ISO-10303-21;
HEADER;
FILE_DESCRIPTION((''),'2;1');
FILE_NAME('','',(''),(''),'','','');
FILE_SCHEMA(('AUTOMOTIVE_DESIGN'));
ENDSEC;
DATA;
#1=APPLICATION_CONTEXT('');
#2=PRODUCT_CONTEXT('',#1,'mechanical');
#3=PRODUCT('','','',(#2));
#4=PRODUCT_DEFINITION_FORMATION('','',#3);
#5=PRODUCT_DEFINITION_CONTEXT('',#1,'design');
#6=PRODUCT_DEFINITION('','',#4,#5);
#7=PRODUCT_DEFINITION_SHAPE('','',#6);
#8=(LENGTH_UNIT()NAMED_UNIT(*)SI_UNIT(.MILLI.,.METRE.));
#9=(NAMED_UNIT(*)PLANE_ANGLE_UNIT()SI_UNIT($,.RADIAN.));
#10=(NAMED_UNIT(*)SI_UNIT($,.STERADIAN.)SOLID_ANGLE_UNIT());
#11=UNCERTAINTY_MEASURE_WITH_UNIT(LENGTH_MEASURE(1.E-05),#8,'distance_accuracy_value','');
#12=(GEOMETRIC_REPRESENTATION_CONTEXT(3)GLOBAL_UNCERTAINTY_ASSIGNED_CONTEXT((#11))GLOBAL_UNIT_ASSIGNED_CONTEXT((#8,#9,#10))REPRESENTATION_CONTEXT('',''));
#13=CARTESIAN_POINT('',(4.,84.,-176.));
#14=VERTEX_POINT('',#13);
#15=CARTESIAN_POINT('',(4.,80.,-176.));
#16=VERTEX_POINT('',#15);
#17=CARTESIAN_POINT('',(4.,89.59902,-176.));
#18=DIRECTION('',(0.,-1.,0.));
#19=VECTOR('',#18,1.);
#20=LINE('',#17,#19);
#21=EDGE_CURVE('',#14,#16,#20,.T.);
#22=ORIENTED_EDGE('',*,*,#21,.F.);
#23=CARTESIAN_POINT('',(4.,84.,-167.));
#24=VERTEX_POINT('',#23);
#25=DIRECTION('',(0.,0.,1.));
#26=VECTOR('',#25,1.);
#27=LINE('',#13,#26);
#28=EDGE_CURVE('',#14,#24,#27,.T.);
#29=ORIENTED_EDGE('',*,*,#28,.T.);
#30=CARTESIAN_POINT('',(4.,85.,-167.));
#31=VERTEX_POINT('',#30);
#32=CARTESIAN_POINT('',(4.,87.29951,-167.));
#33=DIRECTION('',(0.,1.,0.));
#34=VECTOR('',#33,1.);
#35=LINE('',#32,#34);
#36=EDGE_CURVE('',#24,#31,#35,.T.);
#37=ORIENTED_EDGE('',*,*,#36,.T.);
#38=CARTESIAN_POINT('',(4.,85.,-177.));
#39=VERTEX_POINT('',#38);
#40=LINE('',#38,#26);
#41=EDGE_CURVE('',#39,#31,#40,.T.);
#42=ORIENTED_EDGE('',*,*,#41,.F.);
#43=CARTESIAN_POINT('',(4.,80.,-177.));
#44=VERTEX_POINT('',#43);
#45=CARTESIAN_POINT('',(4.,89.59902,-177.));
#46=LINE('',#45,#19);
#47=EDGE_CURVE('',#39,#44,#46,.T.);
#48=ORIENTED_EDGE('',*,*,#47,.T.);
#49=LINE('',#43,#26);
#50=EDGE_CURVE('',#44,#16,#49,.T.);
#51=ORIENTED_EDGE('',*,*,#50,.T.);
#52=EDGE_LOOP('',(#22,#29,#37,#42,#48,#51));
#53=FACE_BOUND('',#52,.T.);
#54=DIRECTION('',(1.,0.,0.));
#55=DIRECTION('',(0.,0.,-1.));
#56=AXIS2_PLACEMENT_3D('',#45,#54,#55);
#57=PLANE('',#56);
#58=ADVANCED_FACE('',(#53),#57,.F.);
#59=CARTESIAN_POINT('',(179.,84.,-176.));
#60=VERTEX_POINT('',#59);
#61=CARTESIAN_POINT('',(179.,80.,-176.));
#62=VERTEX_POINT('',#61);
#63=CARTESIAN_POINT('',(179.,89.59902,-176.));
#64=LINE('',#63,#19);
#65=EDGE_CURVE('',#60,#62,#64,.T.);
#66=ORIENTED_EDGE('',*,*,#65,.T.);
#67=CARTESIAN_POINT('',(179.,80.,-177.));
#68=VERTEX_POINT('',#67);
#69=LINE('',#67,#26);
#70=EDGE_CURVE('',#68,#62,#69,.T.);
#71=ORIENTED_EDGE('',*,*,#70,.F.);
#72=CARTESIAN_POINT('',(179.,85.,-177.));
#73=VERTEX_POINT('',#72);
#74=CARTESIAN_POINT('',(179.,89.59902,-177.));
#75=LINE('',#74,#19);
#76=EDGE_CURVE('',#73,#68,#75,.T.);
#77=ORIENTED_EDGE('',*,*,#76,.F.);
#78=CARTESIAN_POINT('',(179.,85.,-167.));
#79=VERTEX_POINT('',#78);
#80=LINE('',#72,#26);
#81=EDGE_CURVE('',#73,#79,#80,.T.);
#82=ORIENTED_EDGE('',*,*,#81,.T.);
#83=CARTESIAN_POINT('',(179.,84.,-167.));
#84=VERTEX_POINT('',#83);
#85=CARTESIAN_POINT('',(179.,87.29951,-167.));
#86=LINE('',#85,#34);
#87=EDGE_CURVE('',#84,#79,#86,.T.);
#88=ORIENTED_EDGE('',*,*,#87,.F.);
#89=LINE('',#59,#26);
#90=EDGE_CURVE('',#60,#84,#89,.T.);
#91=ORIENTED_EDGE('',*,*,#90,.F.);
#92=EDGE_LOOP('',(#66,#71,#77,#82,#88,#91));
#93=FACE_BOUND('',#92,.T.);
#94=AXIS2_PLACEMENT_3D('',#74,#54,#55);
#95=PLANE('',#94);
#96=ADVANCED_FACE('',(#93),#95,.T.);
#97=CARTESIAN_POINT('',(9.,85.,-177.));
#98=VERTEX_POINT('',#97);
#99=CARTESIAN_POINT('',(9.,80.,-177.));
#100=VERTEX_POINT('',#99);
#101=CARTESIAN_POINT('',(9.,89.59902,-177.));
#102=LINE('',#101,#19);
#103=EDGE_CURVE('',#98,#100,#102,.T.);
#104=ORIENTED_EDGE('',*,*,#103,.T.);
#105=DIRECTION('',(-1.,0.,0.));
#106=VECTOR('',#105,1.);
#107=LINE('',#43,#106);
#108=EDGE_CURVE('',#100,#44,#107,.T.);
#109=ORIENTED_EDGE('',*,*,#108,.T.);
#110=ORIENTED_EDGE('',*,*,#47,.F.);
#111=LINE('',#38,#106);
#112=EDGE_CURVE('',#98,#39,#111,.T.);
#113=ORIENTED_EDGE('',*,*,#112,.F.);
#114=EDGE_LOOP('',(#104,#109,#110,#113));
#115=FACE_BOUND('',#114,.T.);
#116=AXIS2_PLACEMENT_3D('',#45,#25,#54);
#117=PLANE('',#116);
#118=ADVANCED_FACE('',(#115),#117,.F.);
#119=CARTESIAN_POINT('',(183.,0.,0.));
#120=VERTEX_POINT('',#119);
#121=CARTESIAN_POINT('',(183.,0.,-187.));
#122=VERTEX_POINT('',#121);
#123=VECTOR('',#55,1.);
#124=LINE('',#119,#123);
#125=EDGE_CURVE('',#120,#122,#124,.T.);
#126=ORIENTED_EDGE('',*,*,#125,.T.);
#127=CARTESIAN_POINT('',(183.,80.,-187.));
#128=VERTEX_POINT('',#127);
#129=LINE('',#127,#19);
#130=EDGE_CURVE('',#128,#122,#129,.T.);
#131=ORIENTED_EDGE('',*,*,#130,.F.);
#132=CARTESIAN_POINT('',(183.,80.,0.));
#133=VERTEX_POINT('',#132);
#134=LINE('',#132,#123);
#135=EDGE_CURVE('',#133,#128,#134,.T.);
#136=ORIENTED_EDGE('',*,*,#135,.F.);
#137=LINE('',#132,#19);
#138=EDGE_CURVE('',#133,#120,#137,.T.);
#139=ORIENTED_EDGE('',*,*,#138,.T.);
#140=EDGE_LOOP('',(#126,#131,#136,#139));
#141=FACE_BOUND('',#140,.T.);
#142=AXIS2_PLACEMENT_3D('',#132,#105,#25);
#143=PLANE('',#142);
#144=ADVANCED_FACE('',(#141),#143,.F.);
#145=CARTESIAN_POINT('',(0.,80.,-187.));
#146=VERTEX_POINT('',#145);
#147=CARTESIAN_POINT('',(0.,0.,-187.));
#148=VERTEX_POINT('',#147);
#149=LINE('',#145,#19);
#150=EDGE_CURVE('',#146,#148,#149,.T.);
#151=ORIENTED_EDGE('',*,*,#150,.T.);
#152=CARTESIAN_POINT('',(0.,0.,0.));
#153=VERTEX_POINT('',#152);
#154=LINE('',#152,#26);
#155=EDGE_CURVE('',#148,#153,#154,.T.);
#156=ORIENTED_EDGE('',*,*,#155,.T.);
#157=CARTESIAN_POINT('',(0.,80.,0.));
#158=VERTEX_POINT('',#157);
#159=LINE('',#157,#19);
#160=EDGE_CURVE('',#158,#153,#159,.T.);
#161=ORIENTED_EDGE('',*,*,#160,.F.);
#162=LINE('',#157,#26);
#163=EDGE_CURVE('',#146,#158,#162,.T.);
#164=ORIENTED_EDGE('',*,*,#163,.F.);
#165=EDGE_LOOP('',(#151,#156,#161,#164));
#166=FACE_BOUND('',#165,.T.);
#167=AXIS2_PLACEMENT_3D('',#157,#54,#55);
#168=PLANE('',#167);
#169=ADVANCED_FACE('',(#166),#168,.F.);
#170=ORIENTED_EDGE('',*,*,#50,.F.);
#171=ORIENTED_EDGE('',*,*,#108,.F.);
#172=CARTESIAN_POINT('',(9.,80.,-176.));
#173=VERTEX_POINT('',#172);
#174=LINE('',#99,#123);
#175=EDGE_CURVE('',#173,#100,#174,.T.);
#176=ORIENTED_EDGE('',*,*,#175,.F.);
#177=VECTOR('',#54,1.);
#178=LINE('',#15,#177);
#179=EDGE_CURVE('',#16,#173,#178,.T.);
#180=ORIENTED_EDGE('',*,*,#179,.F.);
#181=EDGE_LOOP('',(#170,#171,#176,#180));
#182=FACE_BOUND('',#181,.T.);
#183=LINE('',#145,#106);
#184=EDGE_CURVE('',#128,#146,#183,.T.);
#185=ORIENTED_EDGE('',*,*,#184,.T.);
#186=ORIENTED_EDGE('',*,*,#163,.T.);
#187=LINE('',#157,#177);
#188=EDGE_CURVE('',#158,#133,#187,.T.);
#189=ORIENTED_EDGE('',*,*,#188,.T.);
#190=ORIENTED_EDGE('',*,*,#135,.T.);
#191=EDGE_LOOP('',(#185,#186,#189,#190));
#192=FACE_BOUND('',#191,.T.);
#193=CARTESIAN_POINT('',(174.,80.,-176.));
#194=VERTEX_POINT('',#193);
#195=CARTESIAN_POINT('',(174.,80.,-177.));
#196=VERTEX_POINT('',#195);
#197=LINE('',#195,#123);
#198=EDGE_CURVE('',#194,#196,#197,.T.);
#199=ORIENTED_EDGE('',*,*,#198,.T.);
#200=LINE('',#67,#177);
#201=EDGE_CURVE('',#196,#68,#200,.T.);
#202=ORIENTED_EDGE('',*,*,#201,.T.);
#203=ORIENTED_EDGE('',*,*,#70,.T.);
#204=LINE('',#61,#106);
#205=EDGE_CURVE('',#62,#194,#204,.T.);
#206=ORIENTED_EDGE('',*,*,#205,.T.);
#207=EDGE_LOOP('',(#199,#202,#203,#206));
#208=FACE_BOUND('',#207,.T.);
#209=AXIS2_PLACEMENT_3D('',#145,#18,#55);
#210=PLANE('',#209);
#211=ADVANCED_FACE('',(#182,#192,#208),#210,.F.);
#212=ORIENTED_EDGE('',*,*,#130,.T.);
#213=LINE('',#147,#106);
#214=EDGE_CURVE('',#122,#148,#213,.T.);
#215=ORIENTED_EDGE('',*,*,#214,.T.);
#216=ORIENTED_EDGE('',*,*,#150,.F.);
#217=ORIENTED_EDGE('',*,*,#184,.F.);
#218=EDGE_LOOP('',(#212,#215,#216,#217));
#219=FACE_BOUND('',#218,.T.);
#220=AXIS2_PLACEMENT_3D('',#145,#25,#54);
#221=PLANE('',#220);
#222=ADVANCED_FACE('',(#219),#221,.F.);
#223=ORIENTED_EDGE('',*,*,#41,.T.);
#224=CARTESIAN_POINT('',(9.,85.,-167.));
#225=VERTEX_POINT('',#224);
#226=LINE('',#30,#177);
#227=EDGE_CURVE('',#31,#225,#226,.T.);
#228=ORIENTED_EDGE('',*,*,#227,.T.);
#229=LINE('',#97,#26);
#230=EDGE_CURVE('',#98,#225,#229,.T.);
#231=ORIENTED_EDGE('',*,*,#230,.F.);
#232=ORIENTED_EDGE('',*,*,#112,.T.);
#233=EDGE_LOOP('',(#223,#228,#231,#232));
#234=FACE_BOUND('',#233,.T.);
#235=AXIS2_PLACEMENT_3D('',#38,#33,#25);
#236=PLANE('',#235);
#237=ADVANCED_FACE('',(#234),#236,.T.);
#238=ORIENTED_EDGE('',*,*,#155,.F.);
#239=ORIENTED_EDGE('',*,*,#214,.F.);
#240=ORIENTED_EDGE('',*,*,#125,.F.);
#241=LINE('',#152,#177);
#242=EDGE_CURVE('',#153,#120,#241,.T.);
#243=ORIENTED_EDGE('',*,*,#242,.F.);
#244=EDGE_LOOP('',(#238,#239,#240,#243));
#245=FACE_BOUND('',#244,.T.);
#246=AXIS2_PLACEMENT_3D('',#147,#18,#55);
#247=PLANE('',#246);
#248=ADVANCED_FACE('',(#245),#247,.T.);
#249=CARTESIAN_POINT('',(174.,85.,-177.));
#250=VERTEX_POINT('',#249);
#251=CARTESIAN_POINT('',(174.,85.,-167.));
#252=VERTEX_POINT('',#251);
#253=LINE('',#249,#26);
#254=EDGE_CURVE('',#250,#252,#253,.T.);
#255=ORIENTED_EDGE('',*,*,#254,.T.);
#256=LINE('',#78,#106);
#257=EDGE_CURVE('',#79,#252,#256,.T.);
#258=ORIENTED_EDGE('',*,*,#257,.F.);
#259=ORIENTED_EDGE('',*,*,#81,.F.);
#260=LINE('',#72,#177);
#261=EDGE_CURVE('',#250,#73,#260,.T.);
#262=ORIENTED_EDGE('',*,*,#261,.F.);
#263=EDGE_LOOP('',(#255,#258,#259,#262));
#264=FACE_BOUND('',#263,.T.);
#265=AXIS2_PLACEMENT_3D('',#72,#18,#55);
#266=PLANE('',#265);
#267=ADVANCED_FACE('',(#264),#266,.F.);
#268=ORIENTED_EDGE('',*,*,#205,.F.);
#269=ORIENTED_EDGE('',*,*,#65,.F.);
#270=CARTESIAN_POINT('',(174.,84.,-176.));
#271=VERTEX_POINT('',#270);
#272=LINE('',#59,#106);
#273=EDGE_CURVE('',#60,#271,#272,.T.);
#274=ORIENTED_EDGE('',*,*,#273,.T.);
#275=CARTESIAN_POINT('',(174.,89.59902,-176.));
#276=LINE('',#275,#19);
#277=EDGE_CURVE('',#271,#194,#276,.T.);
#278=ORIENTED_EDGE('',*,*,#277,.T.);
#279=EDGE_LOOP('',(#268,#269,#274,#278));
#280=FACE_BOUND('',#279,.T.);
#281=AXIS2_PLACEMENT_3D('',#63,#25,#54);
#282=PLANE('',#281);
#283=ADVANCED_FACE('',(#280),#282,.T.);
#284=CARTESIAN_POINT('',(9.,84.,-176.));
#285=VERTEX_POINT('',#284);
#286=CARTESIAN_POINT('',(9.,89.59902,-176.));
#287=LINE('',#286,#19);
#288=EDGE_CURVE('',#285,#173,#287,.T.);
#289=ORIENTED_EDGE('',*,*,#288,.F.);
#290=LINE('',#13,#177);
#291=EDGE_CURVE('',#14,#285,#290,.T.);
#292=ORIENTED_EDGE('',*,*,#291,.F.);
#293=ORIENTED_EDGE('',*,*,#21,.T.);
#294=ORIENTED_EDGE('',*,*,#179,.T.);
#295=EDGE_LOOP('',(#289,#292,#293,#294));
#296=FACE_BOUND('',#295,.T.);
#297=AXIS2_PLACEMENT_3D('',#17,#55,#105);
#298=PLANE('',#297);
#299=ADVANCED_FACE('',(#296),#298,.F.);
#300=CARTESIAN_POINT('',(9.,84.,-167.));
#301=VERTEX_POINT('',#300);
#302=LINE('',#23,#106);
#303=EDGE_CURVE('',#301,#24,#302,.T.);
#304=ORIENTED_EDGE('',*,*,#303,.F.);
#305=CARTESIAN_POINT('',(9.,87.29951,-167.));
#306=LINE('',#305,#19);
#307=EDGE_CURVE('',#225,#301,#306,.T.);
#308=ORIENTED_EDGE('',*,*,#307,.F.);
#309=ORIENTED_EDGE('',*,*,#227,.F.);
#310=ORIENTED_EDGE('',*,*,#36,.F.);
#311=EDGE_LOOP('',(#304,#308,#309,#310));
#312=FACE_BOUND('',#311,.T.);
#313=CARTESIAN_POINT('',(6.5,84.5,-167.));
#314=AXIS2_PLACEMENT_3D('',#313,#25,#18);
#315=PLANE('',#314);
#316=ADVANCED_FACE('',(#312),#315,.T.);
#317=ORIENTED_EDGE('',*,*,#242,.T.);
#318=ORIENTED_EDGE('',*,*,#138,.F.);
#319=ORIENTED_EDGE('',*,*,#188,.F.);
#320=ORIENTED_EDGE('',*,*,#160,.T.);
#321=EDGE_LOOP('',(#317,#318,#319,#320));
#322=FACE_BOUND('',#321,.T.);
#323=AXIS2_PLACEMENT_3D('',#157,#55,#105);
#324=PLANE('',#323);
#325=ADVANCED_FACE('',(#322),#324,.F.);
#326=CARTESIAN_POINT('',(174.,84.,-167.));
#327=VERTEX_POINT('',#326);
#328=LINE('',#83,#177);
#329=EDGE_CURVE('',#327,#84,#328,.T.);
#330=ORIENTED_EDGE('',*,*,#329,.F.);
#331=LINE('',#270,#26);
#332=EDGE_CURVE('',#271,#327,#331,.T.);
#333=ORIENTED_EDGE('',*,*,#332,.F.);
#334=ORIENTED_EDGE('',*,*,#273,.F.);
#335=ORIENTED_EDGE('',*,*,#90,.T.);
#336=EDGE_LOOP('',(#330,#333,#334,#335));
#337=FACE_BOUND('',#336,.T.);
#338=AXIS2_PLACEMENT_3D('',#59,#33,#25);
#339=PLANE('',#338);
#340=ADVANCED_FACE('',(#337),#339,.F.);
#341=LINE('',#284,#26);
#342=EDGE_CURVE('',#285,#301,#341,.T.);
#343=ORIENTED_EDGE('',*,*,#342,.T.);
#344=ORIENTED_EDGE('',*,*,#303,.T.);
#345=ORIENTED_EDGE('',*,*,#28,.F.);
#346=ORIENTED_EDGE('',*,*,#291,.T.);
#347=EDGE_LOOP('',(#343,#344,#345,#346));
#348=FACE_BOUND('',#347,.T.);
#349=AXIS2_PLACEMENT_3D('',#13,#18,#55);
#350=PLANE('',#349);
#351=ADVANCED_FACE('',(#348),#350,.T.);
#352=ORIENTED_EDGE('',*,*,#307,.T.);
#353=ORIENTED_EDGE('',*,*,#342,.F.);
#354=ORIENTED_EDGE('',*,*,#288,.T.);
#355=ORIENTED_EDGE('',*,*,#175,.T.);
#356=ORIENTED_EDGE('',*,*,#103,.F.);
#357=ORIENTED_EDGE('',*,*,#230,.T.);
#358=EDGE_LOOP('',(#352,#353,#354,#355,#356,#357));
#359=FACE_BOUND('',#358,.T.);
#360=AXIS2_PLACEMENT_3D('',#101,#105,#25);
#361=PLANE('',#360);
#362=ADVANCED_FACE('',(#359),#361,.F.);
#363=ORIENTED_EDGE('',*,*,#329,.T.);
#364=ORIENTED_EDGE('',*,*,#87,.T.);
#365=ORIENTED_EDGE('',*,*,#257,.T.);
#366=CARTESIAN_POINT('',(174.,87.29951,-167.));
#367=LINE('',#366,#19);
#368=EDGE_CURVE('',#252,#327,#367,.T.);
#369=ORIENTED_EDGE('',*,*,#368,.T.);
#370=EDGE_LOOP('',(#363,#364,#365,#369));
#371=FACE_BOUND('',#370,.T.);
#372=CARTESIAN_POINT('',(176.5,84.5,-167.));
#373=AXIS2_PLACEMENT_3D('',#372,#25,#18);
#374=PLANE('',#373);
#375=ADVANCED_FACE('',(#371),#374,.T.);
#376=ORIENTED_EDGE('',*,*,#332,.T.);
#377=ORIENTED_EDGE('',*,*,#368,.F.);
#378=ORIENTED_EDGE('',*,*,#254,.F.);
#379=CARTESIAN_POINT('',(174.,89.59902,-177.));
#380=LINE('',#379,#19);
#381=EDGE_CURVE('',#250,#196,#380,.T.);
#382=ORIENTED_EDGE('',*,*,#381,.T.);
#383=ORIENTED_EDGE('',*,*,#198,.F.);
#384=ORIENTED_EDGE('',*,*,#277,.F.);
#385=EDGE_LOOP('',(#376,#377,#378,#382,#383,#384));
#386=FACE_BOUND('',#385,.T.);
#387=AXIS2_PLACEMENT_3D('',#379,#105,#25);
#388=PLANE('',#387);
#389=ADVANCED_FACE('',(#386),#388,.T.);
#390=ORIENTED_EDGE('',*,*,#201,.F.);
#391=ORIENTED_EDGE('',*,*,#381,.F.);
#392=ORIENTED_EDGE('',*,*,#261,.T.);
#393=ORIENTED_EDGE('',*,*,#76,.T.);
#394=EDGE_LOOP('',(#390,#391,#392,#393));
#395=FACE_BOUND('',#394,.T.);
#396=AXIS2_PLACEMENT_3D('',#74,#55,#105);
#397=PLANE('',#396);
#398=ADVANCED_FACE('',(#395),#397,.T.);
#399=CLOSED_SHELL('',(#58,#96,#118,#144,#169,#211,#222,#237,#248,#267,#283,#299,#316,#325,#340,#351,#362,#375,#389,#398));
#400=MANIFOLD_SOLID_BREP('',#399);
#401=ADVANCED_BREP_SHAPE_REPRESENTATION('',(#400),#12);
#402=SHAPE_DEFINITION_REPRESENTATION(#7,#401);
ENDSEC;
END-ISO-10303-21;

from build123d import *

# Parameters (mm, degrees)
SKETCH_1_W      = 183
SKETCH_1_H      = 187
EXTRUDE_1_DEPTH = 80
SKETCH_3_W      = 5
SKETCH_3_H      = 1


with BuildPart() as part:
    # 草图1 → 拉伸1 (new body)
    with BuildSketch(Plane(origin=(0, 0, 0), x_dir=(1, 0, 0), z_dir=(0, 1, 0))):
        with Locations((91.5, 93.5)):
            Rectangle(SKETCH_1_W, SKETCH_1_H)
    extrude(amount=EXTRUDE_1_DEPTH)

    # 扫描1: sweep along a path in 草图4
    with BuildLine(Plane.ZY.offset(-4)) as sweep_1_path:
        Line((-177, 80), (-177, 85))
        Line((-177, 85), (-167, 85))
    # 草图3 → 扫描1 (sweep)
    with BuildSketch(Plane(origin=(0, 80, 0), x_dir=(-1, 0, 0), z_dir=(0, 1, 0))):
        with Locations((-6.5, -176.5)):
            Rectangle(SKETCH_3_W, SKETCH_3_H)
    sweep_1 = sweep(path=sweep_1_path.line, transition=Transition.RIGHT)

    # 镜向2: 扫描1 across plane
    add(sweep_1.mirror(Plane.ZY.offset(-91.5)))


solid = part.part
